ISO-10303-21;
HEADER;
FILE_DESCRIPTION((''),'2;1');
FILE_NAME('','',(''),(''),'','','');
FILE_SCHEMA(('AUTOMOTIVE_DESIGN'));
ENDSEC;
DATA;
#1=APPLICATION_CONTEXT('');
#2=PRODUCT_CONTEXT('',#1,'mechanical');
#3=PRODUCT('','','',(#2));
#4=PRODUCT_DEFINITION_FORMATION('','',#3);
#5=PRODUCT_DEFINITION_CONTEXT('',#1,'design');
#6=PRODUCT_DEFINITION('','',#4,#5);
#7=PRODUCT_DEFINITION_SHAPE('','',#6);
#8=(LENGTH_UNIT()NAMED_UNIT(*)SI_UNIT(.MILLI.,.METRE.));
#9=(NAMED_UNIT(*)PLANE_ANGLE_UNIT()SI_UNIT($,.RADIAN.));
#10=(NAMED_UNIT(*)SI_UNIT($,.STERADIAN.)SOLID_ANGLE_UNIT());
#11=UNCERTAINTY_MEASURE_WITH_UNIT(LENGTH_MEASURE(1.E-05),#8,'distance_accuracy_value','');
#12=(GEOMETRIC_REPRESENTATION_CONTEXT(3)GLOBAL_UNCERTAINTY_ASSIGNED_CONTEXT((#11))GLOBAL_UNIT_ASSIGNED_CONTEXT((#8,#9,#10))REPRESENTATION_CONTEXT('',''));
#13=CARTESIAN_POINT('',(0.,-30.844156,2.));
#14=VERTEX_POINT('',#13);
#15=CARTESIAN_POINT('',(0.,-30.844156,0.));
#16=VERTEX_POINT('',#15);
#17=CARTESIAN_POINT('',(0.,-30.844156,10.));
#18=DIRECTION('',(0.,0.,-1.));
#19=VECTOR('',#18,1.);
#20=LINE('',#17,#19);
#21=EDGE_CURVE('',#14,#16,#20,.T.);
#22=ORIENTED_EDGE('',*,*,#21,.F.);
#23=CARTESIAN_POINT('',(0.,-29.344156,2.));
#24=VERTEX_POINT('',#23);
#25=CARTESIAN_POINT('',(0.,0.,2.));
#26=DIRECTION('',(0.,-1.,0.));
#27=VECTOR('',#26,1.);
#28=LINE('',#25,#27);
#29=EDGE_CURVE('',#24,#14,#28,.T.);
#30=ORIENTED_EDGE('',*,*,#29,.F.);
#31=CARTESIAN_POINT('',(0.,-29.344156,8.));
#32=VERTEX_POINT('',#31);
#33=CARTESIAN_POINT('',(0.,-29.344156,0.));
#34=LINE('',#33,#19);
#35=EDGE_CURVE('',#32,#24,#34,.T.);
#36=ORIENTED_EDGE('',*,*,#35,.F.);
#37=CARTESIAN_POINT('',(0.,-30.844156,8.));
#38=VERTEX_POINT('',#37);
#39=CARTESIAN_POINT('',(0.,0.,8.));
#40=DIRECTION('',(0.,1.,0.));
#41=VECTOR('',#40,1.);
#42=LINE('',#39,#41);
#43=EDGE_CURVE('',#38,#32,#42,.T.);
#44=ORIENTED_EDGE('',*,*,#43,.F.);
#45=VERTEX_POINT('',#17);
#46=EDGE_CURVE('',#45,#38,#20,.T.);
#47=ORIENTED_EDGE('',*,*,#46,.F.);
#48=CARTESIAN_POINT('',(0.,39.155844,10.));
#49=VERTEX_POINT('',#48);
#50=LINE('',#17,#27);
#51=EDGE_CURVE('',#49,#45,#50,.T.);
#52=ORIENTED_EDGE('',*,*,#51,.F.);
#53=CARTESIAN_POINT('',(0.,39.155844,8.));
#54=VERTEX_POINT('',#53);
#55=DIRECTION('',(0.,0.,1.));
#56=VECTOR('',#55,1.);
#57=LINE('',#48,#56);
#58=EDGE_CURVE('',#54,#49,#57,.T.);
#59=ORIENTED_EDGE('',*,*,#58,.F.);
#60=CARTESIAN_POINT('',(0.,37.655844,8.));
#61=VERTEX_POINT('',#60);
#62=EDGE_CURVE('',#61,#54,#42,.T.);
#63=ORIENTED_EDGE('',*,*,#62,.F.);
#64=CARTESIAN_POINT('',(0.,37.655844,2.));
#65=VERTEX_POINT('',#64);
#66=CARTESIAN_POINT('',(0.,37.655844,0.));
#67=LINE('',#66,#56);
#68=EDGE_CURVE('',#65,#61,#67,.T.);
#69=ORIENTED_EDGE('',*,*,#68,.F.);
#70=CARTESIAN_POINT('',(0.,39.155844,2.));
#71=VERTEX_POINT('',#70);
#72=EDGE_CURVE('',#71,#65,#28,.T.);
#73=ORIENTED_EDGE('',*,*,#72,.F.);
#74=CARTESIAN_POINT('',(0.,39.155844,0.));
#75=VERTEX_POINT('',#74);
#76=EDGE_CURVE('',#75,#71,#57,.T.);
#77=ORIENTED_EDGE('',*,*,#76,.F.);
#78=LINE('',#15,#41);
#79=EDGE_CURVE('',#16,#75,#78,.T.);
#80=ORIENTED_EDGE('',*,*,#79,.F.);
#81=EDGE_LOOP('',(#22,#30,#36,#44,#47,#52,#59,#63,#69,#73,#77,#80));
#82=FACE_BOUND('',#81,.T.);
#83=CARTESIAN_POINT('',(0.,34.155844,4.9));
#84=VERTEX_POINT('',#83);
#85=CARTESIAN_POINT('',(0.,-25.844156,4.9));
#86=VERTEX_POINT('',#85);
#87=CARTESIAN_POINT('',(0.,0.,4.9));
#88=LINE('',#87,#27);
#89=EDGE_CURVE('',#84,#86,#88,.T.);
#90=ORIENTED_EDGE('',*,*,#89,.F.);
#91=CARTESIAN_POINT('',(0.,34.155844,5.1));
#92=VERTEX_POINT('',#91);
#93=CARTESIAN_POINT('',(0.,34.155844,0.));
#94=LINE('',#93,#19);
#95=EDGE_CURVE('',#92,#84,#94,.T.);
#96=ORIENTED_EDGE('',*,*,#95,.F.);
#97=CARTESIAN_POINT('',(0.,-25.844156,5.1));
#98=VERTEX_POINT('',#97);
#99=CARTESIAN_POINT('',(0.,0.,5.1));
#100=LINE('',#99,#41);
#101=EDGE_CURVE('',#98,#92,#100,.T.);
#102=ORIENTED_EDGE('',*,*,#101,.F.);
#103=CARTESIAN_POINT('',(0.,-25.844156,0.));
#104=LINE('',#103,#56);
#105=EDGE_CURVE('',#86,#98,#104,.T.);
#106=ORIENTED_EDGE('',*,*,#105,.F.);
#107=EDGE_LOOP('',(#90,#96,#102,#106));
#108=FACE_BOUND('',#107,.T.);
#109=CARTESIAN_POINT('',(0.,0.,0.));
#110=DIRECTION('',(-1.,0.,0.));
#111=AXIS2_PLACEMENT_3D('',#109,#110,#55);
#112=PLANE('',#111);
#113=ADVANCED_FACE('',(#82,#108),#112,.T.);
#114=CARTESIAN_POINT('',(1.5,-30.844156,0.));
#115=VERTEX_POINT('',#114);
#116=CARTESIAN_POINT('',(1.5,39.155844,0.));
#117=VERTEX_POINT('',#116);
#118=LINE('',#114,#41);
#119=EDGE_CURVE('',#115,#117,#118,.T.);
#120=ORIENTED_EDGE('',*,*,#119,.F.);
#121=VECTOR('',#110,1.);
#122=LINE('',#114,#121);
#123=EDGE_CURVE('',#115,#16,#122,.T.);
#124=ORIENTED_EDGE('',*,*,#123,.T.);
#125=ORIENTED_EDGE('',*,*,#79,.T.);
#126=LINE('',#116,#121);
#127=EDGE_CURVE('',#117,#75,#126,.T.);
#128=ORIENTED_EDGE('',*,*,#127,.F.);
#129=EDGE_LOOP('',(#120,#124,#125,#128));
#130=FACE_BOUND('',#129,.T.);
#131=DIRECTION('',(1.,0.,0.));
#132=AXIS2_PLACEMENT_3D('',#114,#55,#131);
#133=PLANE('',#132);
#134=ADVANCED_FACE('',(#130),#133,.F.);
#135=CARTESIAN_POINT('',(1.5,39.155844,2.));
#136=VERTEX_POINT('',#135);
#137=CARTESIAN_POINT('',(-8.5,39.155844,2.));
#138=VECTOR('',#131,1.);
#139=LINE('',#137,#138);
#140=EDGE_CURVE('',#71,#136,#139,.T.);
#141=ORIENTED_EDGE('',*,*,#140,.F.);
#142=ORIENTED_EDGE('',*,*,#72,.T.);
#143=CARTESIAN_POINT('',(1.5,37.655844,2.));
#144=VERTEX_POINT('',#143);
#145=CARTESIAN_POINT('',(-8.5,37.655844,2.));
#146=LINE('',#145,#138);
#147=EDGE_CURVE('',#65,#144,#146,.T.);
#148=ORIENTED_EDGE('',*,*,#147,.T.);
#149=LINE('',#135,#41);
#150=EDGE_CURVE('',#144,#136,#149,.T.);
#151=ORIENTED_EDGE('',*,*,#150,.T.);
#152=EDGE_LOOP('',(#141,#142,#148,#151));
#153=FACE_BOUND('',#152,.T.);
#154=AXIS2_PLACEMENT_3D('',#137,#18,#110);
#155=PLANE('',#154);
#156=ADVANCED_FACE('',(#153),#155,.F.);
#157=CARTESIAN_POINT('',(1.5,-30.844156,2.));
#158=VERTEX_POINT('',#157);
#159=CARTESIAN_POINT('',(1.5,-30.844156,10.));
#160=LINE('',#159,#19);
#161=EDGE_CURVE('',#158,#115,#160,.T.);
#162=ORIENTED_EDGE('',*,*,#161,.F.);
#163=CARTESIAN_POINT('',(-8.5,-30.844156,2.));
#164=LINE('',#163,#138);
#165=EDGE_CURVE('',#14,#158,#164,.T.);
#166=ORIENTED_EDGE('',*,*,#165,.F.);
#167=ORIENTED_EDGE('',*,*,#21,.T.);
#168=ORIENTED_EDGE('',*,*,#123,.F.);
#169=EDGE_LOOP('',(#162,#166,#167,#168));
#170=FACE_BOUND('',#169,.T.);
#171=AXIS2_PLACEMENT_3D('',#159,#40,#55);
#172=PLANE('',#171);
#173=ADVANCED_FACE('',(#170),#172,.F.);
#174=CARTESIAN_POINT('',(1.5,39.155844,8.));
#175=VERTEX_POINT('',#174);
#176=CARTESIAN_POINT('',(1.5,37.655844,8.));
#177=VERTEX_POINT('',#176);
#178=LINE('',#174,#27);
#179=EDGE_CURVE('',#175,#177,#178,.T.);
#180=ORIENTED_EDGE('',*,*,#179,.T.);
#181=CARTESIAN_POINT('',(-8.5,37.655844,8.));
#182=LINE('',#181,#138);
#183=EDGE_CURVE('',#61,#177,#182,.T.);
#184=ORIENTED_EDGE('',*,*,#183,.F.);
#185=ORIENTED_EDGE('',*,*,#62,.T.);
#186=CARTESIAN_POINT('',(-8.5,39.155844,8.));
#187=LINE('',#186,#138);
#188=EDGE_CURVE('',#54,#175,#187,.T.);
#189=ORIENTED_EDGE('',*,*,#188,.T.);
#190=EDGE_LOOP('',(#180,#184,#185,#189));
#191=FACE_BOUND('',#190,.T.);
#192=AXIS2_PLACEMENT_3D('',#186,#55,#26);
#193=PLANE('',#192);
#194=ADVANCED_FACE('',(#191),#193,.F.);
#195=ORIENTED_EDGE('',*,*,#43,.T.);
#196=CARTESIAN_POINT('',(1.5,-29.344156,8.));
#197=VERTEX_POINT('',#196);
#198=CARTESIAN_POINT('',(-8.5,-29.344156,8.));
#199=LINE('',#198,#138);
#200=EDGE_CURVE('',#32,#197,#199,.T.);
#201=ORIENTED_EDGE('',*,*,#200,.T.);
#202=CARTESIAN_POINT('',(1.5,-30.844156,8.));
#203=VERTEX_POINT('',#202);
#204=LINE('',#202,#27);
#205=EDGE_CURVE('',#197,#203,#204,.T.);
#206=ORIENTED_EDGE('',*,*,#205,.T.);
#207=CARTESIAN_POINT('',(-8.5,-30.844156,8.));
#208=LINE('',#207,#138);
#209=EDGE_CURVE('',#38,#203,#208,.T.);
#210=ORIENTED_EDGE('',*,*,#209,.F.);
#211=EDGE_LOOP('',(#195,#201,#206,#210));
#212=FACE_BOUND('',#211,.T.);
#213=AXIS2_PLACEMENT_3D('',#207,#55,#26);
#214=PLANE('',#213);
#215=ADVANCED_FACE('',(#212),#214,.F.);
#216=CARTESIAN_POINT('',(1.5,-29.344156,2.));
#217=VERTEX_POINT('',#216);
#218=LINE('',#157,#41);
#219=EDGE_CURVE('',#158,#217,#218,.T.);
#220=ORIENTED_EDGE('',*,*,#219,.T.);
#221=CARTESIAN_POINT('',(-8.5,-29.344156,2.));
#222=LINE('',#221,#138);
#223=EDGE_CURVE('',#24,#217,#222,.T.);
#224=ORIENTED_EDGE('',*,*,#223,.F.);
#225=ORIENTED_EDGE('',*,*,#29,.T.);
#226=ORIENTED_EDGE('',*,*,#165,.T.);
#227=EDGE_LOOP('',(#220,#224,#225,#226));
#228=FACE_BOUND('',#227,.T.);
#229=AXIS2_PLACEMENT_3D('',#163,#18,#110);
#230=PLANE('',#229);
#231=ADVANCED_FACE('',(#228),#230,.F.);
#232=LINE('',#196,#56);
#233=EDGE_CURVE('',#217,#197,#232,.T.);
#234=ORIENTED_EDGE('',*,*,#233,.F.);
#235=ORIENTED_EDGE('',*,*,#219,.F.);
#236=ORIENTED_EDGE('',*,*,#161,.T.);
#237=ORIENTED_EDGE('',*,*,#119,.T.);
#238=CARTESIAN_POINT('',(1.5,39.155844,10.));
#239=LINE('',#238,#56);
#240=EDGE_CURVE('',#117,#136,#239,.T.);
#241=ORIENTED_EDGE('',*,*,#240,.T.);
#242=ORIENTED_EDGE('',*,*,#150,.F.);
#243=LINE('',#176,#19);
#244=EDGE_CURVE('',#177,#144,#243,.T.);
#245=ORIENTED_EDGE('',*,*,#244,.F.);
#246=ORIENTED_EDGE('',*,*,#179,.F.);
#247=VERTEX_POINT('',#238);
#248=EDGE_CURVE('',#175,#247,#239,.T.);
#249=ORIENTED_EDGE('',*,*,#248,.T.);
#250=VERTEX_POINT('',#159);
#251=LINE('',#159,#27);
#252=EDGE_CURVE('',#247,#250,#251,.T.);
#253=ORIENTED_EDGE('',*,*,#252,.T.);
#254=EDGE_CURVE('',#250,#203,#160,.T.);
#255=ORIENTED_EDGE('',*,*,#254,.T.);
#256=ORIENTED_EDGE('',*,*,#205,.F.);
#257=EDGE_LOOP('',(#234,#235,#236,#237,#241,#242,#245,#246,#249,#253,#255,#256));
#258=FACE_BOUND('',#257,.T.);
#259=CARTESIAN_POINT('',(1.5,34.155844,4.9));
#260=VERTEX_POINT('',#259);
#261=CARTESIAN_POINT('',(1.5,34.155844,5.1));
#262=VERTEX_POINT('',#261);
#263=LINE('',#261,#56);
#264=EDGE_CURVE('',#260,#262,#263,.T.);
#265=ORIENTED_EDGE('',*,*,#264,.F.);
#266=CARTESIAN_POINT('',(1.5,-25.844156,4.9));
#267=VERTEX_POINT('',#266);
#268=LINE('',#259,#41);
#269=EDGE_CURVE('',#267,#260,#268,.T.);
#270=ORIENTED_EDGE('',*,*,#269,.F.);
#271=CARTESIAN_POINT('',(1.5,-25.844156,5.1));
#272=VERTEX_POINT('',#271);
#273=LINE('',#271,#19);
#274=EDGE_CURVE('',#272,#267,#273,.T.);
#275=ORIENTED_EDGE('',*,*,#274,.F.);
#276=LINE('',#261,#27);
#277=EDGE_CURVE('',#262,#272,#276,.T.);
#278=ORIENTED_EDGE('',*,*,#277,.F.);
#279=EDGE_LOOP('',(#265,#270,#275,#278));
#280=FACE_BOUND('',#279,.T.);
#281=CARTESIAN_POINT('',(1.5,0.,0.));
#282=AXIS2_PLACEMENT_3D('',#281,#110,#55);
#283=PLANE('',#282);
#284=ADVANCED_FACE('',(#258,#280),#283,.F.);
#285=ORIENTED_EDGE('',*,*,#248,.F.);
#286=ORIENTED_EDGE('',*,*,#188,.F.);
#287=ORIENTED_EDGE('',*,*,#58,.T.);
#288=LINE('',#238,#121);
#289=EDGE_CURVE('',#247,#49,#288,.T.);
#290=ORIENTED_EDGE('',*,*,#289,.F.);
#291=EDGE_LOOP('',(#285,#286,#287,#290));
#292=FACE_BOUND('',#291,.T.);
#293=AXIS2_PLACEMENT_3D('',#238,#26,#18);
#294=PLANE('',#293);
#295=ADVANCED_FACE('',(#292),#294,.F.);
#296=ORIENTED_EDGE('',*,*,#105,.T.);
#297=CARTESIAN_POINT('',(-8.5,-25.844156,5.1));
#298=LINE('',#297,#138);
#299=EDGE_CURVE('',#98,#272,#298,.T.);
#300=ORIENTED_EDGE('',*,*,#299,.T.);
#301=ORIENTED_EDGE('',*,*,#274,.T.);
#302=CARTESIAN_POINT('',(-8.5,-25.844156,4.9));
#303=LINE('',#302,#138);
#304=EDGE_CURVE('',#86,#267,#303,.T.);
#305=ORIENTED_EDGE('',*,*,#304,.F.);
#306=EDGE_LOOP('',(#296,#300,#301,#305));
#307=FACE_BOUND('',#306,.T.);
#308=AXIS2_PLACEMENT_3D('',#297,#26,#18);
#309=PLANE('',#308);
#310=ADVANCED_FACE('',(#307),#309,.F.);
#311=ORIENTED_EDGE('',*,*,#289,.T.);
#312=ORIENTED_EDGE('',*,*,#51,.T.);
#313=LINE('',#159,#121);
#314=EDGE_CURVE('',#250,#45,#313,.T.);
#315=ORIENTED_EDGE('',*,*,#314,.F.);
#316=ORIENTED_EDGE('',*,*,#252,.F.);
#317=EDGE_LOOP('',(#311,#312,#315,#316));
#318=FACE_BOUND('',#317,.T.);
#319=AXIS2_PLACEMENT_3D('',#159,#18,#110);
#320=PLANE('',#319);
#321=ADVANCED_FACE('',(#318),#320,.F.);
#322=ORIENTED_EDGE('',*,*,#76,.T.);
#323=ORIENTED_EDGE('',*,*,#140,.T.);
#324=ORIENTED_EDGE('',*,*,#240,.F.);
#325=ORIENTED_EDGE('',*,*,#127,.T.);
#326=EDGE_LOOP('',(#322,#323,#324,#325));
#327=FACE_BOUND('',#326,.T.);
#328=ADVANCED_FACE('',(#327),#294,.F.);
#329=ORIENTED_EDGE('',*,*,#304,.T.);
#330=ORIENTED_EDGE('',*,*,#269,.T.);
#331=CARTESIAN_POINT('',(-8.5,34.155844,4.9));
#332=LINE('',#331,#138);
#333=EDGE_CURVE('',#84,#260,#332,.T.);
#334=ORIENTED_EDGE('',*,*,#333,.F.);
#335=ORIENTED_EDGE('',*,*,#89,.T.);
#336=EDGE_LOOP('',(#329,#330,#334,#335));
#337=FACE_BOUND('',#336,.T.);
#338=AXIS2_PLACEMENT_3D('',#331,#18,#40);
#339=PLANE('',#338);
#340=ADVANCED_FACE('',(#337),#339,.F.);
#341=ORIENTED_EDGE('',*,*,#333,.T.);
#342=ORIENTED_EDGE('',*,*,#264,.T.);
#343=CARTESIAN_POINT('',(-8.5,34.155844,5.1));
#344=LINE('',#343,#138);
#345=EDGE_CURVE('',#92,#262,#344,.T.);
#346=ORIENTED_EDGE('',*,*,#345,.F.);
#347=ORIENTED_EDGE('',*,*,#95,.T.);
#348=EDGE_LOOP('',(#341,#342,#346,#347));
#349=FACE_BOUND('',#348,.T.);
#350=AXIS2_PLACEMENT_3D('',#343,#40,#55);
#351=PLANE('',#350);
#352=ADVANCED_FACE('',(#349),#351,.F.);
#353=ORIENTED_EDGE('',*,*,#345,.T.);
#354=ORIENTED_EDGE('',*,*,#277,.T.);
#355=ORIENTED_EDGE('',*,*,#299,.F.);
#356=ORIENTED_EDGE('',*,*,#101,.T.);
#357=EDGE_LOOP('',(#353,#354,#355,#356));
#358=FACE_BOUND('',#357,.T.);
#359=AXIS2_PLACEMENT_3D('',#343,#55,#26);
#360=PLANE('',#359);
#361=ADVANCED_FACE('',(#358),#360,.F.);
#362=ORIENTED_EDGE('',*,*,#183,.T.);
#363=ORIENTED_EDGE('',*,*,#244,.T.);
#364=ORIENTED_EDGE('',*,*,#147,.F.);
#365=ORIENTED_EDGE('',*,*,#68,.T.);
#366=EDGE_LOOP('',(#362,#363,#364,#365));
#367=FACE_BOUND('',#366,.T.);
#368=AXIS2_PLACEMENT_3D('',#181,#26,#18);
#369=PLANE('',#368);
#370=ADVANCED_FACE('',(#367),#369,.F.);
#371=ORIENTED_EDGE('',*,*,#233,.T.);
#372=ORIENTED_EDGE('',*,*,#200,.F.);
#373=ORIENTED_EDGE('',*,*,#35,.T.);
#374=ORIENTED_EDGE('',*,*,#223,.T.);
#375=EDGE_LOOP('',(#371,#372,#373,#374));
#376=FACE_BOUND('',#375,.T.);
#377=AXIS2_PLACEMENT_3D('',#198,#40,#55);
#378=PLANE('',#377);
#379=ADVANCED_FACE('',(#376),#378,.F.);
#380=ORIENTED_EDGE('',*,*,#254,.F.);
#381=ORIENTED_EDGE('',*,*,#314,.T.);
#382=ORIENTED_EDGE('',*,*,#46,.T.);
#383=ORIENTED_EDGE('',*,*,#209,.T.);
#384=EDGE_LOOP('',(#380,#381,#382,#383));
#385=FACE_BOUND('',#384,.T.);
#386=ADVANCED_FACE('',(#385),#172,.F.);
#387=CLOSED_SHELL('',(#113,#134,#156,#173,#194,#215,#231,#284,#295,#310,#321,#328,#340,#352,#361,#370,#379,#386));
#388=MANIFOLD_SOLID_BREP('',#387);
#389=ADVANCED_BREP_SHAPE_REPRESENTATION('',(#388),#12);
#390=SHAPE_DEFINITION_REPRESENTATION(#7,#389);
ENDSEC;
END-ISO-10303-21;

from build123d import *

# Parameters (mm, degrees)
SKETCH1_W           = 10
SKETCH1_H           = 70
BOSS_EXTRUDE1_DEPTH = 1.5
SKETCH3_W           = 0.2
SKETCH3_H           = 60
CUT_EXTRUDE2_DEPTH  = 10
SKETCH4_W           = 6
SKETCH4_H           = 1.5
CUT_EXTRUDE3_DEPTH  = 10


with BuildPart() as part:
    # Sketch1 → Boss-Extrude1 (new body)
    with BuildSketch(Plane(origin=(0, 0, 0), x_dir=(0, 0, -1), z_dir=(1, 0, 0))):
        with Locations((-5, 4.155844156)):
            Rectangle(SKETCH1_W, SKETCH1_H)
    extrude(amount=BOSS_EXTRUDE1_DEPTH)

    # Sketch3 → Cut-Extrude2 (cut)
    with BuildSketch(Plane(origin=(1.5, 0, 0), x_dir=(0, 0, -1), z_dir=(1, 0, 0))):
        with Locations((-5, 4.155844156)):
            Rectangle(SKETCH3_W, SKETCH3_H)
    extrude(amount=-CUT_EXTRUDE2_DEPTH, mode=Mode.SUBTRACT)

    # Sketch4 → Cut-Extrude3 (cut)
    with BuildSketch(Plane(origin=(1.5, 0, 0), x_dir=(0, 0, -1), z_dir=(1, 0, 0))):
        with Locations((-5, 38.405844156)):
            Rectangle(SKETCH4_W, SKETCH4_H)
        with Locations((-5, -30.094155844)):
            Rectangle(SKETCH4_W, SKETCH4_H)
    extrude(amount=-CUT_EXTRUDE3_DEPTH, mode=Mode.SUBTRACT)


solid = part.part
